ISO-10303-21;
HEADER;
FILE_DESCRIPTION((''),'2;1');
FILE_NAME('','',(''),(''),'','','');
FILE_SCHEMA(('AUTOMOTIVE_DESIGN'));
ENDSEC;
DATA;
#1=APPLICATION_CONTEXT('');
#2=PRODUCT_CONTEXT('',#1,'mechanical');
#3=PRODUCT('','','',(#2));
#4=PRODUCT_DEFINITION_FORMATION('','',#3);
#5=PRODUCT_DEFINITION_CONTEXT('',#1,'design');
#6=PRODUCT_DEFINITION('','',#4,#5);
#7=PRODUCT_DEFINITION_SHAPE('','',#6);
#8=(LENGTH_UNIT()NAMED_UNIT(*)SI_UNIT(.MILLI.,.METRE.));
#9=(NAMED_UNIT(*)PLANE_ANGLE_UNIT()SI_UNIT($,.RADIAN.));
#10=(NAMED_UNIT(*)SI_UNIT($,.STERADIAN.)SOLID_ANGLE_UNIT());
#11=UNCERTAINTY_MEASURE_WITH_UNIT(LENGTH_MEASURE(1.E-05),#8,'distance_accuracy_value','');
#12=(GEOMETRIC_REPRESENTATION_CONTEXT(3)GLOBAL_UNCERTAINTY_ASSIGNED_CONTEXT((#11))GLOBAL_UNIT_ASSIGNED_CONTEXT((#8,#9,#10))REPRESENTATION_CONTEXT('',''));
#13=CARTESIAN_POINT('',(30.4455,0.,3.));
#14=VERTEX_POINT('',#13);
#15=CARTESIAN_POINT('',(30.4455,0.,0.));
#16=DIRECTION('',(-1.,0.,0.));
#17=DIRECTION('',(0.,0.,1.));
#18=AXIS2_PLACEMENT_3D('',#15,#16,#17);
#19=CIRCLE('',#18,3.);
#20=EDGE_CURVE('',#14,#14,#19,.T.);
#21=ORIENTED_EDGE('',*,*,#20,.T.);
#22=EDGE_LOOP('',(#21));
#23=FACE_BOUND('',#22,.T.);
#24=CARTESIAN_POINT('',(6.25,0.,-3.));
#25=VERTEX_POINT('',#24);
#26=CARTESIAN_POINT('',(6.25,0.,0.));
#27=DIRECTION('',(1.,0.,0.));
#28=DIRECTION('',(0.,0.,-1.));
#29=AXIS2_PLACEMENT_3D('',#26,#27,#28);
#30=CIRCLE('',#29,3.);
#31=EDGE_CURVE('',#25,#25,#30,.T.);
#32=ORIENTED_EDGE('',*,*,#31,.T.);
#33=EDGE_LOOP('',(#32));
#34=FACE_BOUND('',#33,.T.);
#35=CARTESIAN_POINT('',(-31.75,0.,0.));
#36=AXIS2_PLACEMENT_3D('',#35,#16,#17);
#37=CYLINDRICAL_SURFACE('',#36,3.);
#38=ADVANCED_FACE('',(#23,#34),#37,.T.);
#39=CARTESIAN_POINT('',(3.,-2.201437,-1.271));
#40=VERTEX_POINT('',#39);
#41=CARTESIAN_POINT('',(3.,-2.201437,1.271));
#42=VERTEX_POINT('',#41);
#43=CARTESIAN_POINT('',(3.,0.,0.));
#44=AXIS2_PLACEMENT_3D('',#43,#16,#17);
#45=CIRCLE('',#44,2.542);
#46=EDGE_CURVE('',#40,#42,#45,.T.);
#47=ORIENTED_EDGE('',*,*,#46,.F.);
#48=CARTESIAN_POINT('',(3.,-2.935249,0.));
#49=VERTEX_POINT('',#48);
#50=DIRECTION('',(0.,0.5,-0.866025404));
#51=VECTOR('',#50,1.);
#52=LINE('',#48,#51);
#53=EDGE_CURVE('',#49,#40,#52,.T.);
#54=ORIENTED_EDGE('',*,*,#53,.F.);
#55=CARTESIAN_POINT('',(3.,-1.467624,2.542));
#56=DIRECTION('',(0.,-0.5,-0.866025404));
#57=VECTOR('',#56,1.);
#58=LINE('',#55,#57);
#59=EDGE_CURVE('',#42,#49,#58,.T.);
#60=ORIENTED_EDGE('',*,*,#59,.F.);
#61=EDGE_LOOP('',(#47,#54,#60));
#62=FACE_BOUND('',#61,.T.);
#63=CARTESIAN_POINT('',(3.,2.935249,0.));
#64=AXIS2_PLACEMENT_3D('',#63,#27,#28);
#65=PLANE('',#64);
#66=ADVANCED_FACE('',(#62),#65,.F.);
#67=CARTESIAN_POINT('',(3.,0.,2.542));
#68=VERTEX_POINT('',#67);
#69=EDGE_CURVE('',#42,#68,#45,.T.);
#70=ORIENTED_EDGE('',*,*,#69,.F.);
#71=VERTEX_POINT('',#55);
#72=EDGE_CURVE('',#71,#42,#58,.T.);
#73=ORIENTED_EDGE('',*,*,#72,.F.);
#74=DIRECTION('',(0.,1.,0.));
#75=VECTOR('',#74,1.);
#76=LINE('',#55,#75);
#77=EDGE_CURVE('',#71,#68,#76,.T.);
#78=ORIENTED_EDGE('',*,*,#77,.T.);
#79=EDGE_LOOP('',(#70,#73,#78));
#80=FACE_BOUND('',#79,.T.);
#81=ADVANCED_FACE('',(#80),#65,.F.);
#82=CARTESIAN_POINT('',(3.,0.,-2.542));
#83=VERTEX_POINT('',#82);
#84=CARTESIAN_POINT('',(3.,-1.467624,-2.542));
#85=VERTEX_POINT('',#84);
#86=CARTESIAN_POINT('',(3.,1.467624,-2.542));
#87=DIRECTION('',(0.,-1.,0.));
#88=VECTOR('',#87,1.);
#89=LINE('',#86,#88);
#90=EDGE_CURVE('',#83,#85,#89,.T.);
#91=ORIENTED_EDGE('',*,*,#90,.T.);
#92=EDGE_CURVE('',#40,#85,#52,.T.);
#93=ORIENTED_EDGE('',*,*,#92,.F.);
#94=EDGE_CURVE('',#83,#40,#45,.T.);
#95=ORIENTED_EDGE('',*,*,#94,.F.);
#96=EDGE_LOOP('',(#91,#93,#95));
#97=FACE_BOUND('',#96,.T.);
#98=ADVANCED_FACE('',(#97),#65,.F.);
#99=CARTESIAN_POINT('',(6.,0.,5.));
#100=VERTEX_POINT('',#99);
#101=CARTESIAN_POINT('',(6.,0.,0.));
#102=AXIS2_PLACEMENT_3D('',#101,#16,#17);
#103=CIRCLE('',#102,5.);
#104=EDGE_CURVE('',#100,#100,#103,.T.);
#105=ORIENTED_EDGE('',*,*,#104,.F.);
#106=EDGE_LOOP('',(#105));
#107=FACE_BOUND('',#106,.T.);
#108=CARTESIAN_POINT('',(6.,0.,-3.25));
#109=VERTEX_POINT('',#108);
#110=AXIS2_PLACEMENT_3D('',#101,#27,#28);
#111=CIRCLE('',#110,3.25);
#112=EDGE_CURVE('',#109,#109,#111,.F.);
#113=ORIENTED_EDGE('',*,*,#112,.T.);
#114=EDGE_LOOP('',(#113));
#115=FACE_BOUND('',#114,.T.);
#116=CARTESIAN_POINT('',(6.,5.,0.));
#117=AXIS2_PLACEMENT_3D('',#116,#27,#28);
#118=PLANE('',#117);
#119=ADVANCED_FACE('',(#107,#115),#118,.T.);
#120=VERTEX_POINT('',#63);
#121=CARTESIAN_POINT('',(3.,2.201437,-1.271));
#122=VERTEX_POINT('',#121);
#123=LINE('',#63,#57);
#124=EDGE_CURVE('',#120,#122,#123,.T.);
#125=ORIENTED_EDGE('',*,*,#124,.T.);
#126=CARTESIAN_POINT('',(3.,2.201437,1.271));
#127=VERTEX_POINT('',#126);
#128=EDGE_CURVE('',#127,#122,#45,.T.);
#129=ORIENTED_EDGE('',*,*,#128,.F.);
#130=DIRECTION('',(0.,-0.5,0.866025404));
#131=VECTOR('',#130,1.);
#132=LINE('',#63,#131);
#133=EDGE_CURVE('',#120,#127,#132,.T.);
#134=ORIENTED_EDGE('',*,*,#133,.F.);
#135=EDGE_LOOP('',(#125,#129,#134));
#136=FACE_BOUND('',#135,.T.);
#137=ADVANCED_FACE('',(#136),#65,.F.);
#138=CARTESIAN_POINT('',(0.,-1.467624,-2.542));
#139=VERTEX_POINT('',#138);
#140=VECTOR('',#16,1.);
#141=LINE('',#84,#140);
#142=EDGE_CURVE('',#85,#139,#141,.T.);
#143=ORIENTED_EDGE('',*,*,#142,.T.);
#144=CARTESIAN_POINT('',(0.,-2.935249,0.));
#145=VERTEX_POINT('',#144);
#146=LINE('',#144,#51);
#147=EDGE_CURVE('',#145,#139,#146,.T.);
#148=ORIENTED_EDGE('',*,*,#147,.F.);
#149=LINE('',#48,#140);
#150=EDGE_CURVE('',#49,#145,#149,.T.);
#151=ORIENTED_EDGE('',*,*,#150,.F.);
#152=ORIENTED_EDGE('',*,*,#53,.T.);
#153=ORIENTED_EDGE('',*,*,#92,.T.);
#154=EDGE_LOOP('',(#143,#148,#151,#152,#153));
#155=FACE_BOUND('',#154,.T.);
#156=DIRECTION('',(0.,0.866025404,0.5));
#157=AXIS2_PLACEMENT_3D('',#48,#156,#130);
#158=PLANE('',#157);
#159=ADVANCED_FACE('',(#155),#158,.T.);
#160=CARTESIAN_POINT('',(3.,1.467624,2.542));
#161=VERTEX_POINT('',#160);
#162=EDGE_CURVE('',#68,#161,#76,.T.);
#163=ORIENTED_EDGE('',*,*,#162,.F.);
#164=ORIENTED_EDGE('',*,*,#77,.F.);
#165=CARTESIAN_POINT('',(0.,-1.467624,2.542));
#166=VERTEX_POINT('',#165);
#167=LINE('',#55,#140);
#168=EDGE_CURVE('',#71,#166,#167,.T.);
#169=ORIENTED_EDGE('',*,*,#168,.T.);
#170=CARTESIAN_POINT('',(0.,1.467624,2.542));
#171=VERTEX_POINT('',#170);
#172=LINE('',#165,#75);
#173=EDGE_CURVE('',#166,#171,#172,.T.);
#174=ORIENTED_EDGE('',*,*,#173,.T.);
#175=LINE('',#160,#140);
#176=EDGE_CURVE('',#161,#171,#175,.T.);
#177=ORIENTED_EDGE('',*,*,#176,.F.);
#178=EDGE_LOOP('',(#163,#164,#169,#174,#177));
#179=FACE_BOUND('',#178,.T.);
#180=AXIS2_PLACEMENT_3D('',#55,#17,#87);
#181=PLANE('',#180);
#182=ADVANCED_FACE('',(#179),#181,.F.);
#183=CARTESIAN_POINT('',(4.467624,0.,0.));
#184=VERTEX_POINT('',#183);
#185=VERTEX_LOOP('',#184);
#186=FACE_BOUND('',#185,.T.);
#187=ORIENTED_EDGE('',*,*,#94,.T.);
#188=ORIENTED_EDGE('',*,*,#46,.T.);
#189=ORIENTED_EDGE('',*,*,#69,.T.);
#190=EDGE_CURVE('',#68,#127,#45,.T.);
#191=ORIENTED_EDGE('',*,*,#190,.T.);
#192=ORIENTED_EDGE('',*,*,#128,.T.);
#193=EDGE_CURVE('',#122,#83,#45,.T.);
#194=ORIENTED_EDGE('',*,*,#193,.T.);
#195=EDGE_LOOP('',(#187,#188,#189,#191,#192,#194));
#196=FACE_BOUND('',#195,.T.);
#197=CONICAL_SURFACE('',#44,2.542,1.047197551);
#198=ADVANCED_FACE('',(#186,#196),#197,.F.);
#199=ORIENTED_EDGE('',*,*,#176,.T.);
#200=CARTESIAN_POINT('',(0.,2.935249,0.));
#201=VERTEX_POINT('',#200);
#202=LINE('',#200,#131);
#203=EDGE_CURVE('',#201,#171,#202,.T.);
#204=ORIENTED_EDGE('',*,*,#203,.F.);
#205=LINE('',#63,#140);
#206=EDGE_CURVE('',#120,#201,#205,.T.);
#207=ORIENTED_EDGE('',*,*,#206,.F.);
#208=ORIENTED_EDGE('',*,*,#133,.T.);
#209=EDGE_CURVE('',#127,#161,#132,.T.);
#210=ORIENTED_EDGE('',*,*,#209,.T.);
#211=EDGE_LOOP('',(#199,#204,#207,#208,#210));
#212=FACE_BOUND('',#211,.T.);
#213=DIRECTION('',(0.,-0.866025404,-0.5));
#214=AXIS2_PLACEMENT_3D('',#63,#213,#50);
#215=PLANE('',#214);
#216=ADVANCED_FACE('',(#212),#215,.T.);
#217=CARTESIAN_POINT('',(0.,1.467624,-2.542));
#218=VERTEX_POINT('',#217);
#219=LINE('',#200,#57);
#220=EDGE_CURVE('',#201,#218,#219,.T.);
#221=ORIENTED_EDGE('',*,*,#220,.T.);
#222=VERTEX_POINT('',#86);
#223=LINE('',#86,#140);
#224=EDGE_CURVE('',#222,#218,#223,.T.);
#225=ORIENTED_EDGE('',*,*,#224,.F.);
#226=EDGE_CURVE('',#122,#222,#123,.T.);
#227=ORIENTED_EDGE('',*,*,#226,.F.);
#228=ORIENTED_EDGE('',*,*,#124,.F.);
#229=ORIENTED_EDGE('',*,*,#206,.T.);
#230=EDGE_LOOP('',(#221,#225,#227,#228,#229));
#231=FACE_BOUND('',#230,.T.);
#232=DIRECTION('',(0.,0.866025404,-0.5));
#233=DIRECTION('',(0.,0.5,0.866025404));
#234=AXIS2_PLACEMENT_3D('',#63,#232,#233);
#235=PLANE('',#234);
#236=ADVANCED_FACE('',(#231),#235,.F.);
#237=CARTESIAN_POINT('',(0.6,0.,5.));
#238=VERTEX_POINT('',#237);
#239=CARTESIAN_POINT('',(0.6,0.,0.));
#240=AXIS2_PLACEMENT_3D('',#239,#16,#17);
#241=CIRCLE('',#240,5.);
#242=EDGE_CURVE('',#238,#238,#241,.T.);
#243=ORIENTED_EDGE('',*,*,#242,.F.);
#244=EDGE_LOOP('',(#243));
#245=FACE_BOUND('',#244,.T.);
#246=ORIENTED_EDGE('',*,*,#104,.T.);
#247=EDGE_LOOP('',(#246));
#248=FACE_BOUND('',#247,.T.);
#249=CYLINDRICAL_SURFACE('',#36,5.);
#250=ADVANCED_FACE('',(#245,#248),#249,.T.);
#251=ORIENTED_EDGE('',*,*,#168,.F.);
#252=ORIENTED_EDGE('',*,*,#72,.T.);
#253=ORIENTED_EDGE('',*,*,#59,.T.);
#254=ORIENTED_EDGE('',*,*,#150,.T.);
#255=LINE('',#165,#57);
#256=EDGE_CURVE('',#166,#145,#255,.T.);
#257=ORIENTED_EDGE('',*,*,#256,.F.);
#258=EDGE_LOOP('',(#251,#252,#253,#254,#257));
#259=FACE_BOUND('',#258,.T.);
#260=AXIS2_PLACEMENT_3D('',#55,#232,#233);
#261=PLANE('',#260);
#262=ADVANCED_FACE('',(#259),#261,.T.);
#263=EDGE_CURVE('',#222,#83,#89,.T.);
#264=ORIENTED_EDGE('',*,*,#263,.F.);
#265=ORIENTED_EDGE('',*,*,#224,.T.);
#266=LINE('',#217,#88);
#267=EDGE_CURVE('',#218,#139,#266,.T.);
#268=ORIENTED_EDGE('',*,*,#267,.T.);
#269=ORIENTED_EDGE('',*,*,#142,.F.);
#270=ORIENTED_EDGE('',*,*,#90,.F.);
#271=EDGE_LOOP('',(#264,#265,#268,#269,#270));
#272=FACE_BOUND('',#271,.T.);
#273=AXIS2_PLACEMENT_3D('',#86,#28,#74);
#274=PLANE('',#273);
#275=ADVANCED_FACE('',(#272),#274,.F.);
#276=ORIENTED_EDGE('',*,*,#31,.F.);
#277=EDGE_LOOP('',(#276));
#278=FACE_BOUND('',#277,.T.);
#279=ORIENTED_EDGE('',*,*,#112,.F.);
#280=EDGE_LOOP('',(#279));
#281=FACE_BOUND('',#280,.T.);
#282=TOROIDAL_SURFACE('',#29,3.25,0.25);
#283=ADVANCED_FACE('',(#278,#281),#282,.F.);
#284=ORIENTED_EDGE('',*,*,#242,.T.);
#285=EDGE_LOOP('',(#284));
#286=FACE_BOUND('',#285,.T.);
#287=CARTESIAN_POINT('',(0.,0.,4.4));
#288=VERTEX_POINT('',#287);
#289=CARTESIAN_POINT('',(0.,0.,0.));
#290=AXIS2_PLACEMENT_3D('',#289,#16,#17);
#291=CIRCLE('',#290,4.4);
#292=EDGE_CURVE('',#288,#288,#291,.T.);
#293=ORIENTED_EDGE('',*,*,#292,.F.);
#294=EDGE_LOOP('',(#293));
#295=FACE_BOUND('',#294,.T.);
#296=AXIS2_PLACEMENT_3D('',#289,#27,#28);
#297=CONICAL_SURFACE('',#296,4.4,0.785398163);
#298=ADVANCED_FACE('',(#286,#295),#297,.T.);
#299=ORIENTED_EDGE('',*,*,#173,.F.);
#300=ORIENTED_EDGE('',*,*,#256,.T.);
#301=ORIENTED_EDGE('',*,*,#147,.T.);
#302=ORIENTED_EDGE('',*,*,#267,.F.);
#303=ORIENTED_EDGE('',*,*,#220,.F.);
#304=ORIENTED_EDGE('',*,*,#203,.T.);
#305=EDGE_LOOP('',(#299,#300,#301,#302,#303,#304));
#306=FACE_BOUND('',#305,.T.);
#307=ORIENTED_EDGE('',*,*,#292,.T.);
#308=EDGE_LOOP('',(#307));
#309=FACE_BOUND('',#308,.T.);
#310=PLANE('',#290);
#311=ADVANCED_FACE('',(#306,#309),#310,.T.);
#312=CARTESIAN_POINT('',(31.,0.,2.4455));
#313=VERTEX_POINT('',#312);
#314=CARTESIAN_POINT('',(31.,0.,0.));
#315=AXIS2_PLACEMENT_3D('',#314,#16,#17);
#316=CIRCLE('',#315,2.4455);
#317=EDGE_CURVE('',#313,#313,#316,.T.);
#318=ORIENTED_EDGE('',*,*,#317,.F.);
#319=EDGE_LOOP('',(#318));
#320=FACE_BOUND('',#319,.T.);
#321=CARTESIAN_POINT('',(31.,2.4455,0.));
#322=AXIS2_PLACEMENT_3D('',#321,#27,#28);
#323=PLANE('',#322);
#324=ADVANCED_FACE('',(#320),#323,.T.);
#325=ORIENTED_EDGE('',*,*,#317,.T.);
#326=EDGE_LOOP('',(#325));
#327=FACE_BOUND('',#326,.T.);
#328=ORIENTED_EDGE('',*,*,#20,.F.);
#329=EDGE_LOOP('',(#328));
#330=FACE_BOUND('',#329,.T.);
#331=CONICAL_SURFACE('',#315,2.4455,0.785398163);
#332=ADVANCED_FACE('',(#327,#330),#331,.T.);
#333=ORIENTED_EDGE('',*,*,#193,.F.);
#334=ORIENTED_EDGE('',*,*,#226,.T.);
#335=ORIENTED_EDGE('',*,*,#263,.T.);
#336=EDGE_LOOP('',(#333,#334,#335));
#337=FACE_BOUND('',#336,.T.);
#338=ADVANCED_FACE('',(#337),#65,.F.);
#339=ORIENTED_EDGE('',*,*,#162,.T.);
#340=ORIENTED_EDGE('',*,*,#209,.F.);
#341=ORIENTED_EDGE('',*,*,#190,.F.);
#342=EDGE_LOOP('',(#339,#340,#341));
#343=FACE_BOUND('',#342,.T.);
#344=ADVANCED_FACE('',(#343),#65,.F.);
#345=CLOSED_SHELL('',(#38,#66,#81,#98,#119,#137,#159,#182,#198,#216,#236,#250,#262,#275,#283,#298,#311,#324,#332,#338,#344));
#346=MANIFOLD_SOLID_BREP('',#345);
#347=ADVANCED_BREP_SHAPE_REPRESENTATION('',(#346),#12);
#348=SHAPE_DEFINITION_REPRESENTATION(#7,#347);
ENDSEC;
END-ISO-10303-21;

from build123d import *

# Parameters (mm, degrees)
FILLET1_R   = 0.25
HEX_2_DEPTH = 3


with BuildPart() as part:
    # BodySke → Base-Revolve (revolve)
    with BuildSketch(Plane.XY):
        Polygon((0, 0), (0, 4.4), (0.6, 5), (6, 5), (6, 3), (30.4455, 3), (31, 2.4455), (31, 0), align=None)
    revolve(axis=Axis((-31.75, 0, 0), (1, 0, 0)))

    # Fillet1
    fillet1_edges = [part.edges().sort_by_distance(p)[0] for p in [
        (6, -3, 0),
    ]]
    fillet(fillet1_edges, radius=FILLET1_R)

    # Sketch2 → Hex-PreBroach (revolve, cut)
    with BuildSketch(Plane.XY):
        Polygon((0, 2.542), (3, 2.542), (4.467624384, 0), (0, 0), align=None)
    revolve(axis=Axis((0, 0, 0), (1, 0, 0)), mode=Mode.SUBTRACT)

    # Sketch3 → Hex 2 (cut)
    with BuildSketch(Plane(origin=(0, 0, 0), x_dir=(0, 0.5, 0.866025404), z_dir=(-1, 0, 0))):
        Polygon((1.467624384, 2.542), (-1.467624384, 2.542), (-2.935248769, 0), (-1.467624384, -2.542), (1.467624384, -2.542), (2.935248769, 0), align=None)
    extrude(amount=-HEX_2_DEPTH, mode=Mode.SUBTRACT)


solid = part.part
